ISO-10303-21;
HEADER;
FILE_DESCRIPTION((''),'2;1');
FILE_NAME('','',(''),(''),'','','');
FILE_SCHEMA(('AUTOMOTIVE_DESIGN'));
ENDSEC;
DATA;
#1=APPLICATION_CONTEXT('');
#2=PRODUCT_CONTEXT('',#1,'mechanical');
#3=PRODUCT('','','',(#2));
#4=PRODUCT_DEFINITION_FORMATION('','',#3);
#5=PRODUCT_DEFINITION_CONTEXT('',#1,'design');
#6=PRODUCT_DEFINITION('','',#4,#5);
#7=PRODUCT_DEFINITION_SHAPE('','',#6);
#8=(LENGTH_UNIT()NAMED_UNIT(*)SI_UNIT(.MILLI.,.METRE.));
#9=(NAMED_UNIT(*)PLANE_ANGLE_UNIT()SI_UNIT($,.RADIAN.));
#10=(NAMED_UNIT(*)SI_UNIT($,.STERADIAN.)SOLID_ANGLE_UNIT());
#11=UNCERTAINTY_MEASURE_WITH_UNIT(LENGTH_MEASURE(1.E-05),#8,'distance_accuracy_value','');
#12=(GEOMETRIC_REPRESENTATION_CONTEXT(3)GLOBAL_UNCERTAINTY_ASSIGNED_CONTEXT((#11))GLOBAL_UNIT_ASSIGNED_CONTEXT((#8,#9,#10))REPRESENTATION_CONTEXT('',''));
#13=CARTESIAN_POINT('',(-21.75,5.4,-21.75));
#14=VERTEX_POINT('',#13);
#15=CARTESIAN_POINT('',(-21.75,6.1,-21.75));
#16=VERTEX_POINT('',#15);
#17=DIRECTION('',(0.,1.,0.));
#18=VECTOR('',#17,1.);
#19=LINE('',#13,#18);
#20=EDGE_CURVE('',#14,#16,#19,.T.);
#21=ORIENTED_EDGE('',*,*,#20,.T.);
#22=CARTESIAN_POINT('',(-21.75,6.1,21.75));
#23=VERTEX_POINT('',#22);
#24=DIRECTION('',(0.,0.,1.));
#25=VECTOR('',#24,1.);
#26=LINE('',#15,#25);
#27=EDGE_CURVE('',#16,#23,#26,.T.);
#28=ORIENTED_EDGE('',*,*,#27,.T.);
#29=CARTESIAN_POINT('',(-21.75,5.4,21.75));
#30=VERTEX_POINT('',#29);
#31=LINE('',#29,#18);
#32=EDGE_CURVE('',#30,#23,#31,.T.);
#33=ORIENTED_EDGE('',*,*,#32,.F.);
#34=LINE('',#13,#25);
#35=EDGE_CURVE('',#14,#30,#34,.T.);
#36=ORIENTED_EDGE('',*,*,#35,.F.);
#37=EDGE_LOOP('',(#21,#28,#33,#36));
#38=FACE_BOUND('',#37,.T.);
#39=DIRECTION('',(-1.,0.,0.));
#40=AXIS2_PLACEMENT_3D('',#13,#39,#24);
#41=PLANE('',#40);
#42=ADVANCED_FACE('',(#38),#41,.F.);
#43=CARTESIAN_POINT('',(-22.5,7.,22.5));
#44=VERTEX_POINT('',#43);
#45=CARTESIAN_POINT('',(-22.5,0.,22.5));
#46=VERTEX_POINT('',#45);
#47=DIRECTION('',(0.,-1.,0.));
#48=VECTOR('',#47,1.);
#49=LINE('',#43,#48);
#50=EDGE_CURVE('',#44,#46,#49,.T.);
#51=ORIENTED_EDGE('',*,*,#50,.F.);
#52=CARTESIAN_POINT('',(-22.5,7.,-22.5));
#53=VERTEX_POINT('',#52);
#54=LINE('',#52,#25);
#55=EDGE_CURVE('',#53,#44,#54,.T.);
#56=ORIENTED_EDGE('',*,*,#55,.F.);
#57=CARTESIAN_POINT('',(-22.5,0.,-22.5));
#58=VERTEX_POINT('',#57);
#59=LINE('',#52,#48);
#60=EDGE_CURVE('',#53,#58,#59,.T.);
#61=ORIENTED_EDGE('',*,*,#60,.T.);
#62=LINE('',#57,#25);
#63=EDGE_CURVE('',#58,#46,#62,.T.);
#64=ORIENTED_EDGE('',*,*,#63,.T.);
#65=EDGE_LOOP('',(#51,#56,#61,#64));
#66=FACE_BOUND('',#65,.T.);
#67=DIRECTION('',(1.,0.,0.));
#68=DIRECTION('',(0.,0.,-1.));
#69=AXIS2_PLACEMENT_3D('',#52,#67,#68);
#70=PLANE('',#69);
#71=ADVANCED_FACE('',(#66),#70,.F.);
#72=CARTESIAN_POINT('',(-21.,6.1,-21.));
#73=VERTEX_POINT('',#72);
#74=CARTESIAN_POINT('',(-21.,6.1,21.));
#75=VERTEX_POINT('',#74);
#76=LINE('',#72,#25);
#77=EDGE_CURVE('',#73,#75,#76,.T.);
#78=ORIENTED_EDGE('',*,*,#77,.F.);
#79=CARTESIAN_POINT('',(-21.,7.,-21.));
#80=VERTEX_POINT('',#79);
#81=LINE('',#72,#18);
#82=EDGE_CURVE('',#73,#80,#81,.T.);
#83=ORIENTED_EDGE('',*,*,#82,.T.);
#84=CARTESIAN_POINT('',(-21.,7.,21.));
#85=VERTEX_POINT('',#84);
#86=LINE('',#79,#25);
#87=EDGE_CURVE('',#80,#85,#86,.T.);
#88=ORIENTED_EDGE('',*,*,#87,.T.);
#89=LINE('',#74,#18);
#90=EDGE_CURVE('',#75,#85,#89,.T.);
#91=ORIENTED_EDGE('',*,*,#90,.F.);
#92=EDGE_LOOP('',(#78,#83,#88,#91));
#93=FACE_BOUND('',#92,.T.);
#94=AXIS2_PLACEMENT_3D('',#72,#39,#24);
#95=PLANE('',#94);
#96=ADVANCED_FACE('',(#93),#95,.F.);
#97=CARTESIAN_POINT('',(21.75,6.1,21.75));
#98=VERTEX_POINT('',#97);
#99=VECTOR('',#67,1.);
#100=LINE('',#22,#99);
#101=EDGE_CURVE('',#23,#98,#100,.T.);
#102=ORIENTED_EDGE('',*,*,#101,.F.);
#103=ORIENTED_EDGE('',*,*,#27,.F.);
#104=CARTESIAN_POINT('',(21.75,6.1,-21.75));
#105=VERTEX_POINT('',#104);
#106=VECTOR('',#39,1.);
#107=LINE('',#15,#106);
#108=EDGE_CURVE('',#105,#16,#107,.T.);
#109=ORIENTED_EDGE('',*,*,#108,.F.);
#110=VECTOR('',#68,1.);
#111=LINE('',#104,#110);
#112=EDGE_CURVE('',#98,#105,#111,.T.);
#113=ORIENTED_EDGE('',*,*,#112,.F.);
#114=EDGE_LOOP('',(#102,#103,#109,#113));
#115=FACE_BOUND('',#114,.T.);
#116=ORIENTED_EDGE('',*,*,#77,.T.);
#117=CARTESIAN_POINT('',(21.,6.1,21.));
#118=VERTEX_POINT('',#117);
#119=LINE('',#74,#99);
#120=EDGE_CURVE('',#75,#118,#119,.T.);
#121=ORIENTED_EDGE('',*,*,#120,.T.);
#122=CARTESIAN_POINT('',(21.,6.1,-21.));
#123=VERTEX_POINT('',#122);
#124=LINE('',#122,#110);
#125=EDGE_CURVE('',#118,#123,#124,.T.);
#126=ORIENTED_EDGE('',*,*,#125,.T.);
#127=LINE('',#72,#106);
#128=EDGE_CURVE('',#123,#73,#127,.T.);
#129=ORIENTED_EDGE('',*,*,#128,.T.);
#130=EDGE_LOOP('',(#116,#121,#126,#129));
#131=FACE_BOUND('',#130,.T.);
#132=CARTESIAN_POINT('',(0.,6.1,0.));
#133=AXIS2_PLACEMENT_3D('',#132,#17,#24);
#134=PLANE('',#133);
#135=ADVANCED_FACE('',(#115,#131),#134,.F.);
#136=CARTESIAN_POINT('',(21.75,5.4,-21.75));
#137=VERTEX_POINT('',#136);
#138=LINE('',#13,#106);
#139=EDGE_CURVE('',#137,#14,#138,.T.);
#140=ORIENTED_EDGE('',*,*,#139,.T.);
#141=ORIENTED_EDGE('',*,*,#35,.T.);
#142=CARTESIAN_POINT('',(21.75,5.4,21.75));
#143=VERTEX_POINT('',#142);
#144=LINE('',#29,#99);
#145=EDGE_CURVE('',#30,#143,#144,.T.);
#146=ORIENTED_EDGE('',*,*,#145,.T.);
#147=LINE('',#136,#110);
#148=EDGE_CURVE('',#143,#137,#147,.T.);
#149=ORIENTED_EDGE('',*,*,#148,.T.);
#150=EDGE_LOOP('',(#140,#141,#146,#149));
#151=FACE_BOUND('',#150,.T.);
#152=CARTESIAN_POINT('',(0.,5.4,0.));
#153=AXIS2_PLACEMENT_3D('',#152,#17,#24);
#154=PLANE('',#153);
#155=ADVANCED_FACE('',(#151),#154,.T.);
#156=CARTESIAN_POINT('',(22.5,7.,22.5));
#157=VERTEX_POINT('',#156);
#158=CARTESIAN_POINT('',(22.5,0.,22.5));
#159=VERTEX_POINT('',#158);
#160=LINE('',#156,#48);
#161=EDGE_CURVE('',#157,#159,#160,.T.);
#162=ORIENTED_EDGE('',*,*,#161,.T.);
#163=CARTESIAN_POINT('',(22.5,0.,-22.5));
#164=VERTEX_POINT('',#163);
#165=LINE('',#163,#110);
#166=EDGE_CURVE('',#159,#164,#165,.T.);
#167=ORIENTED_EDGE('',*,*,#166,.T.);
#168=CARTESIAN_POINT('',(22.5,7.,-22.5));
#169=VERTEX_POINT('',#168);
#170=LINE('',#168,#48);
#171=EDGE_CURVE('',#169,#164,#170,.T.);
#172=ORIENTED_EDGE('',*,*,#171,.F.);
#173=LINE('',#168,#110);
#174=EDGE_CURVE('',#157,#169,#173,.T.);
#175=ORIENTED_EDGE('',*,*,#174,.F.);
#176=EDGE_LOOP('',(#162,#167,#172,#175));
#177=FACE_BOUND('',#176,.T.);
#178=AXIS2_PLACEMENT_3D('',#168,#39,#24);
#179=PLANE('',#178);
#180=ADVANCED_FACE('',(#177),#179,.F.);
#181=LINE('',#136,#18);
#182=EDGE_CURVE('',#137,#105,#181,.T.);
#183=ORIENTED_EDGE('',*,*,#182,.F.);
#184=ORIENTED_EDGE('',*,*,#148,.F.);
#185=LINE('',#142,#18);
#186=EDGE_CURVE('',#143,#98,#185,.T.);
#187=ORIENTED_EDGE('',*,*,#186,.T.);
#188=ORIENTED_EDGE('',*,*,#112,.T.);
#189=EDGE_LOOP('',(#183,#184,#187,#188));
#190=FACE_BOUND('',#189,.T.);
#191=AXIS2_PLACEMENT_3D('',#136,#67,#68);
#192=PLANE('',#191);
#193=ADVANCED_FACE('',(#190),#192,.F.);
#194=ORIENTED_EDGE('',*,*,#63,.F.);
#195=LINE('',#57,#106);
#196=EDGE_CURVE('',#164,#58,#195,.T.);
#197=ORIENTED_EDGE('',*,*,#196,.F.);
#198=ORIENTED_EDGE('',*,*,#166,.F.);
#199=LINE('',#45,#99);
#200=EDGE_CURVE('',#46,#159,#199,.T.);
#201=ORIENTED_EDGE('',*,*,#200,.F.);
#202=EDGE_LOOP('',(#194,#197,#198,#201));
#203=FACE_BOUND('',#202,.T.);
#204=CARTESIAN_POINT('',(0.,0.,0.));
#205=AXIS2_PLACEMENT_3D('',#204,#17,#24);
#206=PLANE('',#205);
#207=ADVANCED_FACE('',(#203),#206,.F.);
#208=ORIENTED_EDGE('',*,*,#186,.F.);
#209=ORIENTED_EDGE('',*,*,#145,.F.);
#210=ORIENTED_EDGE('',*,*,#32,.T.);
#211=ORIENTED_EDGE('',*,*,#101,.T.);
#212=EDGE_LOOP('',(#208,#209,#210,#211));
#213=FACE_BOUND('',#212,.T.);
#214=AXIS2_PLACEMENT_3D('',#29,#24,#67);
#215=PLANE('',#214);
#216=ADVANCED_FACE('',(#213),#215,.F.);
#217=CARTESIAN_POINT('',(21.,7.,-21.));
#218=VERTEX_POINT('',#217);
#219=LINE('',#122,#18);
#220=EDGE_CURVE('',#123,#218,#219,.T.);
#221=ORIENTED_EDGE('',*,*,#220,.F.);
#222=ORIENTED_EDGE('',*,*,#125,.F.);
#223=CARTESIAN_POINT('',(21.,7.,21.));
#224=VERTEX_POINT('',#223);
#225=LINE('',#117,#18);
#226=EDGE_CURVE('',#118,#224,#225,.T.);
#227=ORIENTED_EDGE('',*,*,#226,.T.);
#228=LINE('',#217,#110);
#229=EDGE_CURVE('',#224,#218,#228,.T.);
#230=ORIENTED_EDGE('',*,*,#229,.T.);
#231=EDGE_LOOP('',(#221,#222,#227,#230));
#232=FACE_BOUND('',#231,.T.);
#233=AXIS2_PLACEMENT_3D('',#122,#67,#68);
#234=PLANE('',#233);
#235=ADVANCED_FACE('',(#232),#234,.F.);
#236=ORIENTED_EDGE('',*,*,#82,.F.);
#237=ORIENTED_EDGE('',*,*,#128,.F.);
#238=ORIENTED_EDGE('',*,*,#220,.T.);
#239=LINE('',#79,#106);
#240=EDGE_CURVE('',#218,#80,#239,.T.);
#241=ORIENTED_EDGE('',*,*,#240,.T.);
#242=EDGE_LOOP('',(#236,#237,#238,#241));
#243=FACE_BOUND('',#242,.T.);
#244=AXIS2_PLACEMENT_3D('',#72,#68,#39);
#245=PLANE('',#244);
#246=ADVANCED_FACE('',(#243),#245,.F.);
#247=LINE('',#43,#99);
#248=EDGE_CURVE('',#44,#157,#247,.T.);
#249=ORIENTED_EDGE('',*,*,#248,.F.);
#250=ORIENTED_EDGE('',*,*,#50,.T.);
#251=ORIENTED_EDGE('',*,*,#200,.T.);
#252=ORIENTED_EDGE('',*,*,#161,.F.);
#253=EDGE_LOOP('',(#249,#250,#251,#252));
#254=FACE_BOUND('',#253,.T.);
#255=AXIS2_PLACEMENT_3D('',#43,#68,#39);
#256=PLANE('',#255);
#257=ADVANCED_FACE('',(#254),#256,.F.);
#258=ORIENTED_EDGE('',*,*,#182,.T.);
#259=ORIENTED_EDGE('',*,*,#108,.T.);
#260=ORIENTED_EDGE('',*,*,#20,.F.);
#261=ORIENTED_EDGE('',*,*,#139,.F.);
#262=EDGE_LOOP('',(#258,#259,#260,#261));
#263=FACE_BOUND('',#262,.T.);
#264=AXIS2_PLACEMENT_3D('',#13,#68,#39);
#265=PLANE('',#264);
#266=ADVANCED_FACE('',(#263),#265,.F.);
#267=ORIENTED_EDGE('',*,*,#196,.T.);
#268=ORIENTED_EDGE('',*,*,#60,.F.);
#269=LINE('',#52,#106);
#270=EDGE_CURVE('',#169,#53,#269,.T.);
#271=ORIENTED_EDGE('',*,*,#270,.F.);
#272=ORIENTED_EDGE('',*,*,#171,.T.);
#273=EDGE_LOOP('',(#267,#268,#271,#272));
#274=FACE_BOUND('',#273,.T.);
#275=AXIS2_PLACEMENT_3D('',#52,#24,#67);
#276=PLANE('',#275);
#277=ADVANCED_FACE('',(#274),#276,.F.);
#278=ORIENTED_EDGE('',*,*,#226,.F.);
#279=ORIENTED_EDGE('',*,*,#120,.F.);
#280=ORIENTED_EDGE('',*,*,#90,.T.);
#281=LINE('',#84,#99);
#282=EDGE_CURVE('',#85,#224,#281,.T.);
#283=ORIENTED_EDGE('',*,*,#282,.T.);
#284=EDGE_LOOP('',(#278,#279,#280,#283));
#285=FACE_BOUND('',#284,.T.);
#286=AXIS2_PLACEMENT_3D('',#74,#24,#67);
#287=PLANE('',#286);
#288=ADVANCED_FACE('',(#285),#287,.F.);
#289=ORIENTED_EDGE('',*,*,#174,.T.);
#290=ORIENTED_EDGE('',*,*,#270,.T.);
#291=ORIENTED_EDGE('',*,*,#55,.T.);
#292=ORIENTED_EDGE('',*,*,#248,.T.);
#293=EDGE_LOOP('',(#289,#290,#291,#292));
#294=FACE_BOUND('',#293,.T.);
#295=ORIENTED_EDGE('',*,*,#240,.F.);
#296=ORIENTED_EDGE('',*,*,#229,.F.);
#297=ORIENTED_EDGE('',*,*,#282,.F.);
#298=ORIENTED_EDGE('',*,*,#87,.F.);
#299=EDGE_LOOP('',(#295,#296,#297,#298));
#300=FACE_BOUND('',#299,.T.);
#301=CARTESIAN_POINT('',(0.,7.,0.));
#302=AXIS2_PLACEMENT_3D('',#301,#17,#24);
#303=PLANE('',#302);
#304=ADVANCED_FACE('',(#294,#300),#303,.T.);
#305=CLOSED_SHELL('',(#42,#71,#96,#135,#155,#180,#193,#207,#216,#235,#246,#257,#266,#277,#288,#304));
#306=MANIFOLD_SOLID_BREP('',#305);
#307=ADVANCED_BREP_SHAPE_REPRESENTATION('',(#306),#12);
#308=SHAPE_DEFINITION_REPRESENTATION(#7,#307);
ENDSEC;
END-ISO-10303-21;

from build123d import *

# Parameters (mm, degrees)
SKETCH1_W           = 45
SKETCH1_H           = 45
BOSS_EXTRUDE1_DEPTH = 7
SKETCH2_W           = 42
SKETCH2_H           = 42
CUT_EXTRUDE1_DEPTH  = 0.9
SKETCH4_W           = 43.5
SKETCH4_H           = 43.5
CUT_EXTRUDE2_DEPTH  = 0.7


with BuildPart() as part:
    # Sketch1 → Boss-Extrude1 (new body)
    with BuildSketch(Plane(origin=(0, 0, 0), x_dir=(1, 0, 0), z_dir=(0, 1, 0))):
        Rectangle(SKETCH1_W, SKETCH1_H)
    extrude(amount=BOSS_EXTRUDE1_DEPTH)

    # Sketch2 → Cut-Extrude1 (cut)
    with BuildSketch(Plane(origin=(0, 7, 0), x_dir=(1, 0, 0), z_dir=(0, 1, 0))):
        Rectangle(SKETCH2_W, SKETCH2_H)
    extrude(amount=-CUT_EXTRUDE1_DEPTH, mode=Mode.SUBTRACT)

    # Sketch4 → Cut-Extrude2 (cut)
    with BuildSketch(Plane(origin=(0, 6.1, 0), x_dir=(1, 0, 0), z_dir=(0, 1, 0))):
        Rectangle(SKETCH4_W, SKETCH4_H)
    extrude(amount=-CUT_EXTRUDE2_DEPTH, mode=Mode.SUBTRACT)


solid = part.part
